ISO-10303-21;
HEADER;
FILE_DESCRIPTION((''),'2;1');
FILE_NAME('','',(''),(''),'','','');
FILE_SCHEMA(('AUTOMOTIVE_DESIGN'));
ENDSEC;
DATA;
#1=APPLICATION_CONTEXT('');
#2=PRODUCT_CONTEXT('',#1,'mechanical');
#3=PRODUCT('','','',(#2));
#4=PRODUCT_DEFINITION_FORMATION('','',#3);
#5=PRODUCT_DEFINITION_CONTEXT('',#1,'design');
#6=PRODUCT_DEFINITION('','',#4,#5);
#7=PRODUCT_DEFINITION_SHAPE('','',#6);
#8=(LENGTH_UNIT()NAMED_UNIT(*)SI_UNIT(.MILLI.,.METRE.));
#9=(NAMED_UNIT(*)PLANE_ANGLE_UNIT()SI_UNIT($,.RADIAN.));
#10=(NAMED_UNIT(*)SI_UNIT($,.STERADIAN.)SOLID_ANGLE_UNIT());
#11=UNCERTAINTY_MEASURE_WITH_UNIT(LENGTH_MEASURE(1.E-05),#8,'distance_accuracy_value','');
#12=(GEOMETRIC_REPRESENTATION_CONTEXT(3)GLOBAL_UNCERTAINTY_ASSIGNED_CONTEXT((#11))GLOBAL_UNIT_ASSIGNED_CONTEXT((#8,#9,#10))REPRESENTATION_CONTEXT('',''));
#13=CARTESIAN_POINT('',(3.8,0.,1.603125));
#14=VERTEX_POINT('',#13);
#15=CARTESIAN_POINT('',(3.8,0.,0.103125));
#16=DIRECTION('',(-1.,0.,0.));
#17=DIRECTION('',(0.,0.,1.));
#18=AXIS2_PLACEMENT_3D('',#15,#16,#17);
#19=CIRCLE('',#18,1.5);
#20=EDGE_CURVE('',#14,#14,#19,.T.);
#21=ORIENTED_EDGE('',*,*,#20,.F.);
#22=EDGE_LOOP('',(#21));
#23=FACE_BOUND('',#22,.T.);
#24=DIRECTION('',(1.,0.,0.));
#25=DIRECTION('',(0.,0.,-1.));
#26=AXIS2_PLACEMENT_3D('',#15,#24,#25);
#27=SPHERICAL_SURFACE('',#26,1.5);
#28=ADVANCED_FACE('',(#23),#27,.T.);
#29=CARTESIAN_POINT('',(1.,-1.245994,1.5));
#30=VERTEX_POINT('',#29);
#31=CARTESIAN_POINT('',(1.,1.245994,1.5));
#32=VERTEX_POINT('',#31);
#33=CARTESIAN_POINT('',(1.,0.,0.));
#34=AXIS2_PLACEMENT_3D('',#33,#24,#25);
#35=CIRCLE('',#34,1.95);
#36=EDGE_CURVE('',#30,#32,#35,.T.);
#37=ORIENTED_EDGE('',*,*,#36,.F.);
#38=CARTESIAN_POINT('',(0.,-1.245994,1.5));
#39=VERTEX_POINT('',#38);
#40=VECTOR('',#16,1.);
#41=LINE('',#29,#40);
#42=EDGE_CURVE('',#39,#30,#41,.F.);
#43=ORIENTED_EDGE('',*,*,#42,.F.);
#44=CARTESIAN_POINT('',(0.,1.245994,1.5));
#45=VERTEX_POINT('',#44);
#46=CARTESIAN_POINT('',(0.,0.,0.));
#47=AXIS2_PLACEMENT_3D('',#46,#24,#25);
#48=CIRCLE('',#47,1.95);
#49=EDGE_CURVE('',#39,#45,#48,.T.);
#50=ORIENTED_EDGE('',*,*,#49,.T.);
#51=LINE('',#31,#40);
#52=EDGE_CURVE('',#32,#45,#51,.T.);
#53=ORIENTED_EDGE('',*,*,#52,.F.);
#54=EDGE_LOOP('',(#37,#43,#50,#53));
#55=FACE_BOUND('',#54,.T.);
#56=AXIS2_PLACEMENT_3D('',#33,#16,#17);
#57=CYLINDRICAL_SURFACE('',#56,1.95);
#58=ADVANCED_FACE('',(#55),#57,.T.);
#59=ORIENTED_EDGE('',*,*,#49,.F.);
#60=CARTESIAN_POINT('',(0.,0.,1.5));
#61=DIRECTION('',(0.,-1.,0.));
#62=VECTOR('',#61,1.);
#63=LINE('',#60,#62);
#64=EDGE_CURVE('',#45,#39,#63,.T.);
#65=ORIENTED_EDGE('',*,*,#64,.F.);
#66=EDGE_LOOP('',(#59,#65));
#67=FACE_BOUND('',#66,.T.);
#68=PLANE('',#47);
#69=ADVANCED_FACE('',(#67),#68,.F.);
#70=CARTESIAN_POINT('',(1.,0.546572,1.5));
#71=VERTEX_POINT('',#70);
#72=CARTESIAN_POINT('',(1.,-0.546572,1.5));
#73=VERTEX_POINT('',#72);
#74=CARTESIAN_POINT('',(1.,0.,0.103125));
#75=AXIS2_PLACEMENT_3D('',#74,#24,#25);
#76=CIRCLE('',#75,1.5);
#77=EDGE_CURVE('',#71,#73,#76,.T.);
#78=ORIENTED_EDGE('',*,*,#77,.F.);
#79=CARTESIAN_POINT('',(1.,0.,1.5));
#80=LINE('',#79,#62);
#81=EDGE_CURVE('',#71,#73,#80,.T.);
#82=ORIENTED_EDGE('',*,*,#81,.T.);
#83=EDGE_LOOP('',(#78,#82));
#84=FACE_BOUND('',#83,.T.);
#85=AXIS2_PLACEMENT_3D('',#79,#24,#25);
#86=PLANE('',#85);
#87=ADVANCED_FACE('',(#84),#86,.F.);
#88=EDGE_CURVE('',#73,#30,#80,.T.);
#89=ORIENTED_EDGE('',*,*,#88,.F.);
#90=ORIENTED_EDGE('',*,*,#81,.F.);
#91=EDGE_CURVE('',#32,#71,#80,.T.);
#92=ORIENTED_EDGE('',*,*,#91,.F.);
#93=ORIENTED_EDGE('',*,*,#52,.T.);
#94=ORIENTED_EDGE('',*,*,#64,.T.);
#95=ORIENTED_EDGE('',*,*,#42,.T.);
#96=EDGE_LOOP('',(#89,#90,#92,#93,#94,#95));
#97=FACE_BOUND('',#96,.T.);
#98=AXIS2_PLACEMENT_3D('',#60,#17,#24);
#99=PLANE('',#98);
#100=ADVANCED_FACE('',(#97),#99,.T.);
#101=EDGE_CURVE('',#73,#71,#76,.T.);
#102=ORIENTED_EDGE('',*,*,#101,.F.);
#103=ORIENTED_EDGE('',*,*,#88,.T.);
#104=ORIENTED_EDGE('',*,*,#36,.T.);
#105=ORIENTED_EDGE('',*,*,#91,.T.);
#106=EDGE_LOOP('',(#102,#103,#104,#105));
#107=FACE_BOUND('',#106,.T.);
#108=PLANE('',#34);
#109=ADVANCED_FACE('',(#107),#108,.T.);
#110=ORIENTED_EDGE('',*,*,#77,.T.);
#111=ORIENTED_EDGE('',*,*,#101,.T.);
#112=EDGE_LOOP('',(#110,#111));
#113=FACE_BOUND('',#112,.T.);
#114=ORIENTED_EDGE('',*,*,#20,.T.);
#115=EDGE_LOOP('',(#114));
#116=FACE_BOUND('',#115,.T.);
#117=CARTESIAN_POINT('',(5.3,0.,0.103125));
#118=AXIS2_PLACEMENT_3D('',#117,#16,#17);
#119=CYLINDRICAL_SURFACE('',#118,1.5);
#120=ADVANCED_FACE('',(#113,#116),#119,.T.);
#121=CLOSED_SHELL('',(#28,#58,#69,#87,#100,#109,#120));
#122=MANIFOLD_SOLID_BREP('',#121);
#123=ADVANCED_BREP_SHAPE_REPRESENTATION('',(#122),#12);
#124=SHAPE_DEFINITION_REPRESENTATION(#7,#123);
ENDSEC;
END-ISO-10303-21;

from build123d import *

# Parameters (mm, degrees)
SKETCH_1_R          = 1.95
EXTRUDE_1_DEPTH     = 1
SKETCH_2_R          = 1.5
EXTRUDE_2_DEPTH     = 4.3
FILLET_1_R          = 1.5
CUT_EXTRUDE_1_DEPTH = 0.45


with BuildPart() as part:
    # Эскиз1 → Бобышка-Вытянуть1 (new body)
    with BuildSketch(Plane(origin=(0, 0, 0), x_dir=(0, 0, -1), z_dir=(1, 0, 0))):
        Circle(SKETCH_1_R)
    extrude(amount=EXTRUDE_1_DEPTH)

    # Эскиз2 → Бобышка-Вытянуть2 (add)
    with BuildSketch(Plane(origin=(1, 0, 0), x_dir=(0, 0, -1), z_dir=(1, 0, 0))):
        with Locations(Location((-0.103125187, 0, 0), (0, 0, 180))):
            Circle(SKETCH_2_R)
    extrude(amount=EXTRUDE_2_DEPTH)

    # Скругление1
    fillet_1_edges = [part.edges().sort_by_distance(p)[0] for p in [
        (5.3, 0, -1.396874813),
    ]]
    fillet(fillet_1_edges, radius=FILLET_1_R)

    # Эскиз4 → Вырез-Вытянуть1 (cut)
    with BuildSketch(Plane.XY.offset(1.95)):
        Polygon((0, 0), (0, 2.822887507), (1, 2.822887507), (1, 0), (1, -3.256991154), (0, -3.256991154), align=None)
    extrude(amount=-CUT_EXTRUDE_1_DEPTH, mode=Mode.SUBTRACT)


solid = part.part
